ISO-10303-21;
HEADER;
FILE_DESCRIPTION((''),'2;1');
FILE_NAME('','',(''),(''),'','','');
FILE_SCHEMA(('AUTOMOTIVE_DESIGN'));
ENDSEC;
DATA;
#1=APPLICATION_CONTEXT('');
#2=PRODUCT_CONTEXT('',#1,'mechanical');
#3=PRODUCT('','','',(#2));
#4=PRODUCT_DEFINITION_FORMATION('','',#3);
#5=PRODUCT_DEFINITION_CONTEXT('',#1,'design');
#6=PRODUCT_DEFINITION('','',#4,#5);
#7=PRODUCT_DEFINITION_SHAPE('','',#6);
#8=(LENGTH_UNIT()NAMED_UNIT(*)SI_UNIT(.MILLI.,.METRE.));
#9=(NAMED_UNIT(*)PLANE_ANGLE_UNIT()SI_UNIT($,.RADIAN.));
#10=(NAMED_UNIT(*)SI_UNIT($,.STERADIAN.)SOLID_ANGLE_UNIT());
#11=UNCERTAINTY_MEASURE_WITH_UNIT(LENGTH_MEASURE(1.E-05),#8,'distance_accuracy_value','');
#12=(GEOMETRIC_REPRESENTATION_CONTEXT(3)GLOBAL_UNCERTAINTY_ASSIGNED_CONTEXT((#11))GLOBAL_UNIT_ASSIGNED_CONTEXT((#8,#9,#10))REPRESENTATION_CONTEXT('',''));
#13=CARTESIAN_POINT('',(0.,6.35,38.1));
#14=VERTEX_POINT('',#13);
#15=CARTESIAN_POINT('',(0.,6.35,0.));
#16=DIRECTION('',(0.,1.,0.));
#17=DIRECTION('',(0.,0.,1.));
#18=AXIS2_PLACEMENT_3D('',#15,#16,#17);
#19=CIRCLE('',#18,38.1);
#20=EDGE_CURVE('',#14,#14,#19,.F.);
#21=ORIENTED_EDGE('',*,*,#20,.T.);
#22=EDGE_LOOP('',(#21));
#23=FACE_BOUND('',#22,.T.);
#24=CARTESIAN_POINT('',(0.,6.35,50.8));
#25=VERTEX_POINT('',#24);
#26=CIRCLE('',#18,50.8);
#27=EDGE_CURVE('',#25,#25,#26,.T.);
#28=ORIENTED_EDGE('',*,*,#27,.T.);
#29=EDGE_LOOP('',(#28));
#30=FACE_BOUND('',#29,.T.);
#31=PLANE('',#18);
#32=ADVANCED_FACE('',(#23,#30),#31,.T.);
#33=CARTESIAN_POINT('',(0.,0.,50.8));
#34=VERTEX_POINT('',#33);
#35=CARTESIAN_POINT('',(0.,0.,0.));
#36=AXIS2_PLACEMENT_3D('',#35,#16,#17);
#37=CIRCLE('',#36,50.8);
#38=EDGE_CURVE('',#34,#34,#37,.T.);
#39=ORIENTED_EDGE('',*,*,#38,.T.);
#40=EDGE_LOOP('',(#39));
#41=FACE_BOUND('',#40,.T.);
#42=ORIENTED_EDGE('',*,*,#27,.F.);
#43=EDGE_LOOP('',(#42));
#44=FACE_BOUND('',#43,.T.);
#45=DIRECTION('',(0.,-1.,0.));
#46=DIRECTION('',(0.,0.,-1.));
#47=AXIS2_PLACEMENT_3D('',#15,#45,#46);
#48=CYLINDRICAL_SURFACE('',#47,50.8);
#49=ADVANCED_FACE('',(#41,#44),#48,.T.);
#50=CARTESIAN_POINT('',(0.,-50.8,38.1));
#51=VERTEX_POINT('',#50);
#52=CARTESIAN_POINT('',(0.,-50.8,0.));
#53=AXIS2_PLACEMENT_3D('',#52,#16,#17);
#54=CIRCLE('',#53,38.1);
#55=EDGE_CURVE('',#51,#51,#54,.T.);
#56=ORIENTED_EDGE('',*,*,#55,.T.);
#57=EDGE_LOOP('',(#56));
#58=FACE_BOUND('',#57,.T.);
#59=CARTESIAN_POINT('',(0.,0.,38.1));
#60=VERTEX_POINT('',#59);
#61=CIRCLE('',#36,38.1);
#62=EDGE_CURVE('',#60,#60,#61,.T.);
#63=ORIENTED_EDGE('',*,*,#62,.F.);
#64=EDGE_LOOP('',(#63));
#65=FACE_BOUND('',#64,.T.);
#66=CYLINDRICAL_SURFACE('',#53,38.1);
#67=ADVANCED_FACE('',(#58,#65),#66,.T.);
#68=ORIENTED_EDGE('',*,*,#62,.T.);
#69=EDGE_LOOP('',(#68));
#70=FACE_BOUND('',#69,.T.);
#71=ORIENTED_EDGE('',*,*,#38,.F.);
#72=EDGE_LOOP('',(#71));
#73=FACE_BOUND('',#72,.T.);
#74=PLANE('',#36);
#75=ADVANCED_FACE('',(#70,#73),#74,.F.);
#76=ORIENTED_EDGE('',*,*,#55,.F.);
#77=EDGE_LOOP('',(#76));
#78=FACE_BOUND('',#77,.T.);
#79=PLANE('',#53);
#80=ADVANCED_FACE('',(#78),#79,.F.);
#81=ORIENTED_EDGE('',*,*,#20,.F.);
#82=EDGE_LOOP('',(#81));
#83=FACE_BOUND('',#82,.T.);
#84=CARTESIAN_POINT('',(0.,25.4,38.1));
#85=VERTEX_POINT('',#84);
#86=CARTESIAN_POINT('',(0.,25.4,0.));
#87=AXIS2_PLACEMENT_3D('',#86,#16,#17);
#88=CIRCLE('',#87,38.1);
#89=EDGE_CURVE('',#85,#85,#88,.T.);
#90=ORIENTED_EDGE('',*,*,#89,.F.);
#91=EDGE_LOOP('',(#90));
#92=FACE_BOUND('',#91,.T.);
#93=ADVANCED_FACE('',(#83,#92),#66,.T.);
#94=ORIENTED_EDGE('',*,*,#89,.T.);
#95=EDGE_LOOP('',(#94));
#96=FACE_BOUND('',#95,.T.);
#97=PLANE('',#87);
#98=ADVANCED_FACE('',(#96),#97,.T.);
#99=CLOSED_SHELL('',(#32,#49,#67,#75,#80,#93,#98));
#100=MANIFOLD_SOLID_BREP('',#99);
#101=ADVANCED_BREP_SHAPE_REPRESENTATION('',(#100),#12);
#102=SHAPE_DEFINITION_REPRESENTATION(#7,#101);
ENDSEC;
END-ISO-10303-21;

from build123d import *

# Parameters (mm, degrees)
BOSS_EXTRUDE1_DEPTH      = 25.4
BOSS_EXTRUDE1_DEPTH_BACK = 50.8
SKETCH1_R                = 38.1
SKETCH1_3_R              = 50.8
SKETCH1_3_R_2            = 38.1
BOSS_EXTRUDE2_DEPTH      = 6.35


with BuildPart() as part:
    # Sketch1 → Boss-Extrude1 (new, two sides: drawn at the far end of the back side and taken through both)
    with BuildSketch(Plane(origin=(0, 0, 0), x_dir=(1, 0, 0), z_dir=(0, 1, 0)).offset(-BOSS_EXTRUDE1_DEPTH_BACK)):
        Circle(SKETCH1_R)
    extrude(amount=BOSS_EXTRUDE1_DEPTH + BOSS_EXTRUDE1_DEPTH_BACK)

    # Sketch1<3> → Boss-Extrude2 (add)
    with BuildSketch(Plane(origin=(0, 0, 0), x_dir=(1, 0, 0), z_dir=(0, 1, 0))):
        Circle(SKETCH1_3_R)
        Circle(SKETCH1_3_R_2, mode=Mode.SUBTRACT)
    extrude(amount=BOSS_EXTRUDE2_DEPTH)


solid = part.part
